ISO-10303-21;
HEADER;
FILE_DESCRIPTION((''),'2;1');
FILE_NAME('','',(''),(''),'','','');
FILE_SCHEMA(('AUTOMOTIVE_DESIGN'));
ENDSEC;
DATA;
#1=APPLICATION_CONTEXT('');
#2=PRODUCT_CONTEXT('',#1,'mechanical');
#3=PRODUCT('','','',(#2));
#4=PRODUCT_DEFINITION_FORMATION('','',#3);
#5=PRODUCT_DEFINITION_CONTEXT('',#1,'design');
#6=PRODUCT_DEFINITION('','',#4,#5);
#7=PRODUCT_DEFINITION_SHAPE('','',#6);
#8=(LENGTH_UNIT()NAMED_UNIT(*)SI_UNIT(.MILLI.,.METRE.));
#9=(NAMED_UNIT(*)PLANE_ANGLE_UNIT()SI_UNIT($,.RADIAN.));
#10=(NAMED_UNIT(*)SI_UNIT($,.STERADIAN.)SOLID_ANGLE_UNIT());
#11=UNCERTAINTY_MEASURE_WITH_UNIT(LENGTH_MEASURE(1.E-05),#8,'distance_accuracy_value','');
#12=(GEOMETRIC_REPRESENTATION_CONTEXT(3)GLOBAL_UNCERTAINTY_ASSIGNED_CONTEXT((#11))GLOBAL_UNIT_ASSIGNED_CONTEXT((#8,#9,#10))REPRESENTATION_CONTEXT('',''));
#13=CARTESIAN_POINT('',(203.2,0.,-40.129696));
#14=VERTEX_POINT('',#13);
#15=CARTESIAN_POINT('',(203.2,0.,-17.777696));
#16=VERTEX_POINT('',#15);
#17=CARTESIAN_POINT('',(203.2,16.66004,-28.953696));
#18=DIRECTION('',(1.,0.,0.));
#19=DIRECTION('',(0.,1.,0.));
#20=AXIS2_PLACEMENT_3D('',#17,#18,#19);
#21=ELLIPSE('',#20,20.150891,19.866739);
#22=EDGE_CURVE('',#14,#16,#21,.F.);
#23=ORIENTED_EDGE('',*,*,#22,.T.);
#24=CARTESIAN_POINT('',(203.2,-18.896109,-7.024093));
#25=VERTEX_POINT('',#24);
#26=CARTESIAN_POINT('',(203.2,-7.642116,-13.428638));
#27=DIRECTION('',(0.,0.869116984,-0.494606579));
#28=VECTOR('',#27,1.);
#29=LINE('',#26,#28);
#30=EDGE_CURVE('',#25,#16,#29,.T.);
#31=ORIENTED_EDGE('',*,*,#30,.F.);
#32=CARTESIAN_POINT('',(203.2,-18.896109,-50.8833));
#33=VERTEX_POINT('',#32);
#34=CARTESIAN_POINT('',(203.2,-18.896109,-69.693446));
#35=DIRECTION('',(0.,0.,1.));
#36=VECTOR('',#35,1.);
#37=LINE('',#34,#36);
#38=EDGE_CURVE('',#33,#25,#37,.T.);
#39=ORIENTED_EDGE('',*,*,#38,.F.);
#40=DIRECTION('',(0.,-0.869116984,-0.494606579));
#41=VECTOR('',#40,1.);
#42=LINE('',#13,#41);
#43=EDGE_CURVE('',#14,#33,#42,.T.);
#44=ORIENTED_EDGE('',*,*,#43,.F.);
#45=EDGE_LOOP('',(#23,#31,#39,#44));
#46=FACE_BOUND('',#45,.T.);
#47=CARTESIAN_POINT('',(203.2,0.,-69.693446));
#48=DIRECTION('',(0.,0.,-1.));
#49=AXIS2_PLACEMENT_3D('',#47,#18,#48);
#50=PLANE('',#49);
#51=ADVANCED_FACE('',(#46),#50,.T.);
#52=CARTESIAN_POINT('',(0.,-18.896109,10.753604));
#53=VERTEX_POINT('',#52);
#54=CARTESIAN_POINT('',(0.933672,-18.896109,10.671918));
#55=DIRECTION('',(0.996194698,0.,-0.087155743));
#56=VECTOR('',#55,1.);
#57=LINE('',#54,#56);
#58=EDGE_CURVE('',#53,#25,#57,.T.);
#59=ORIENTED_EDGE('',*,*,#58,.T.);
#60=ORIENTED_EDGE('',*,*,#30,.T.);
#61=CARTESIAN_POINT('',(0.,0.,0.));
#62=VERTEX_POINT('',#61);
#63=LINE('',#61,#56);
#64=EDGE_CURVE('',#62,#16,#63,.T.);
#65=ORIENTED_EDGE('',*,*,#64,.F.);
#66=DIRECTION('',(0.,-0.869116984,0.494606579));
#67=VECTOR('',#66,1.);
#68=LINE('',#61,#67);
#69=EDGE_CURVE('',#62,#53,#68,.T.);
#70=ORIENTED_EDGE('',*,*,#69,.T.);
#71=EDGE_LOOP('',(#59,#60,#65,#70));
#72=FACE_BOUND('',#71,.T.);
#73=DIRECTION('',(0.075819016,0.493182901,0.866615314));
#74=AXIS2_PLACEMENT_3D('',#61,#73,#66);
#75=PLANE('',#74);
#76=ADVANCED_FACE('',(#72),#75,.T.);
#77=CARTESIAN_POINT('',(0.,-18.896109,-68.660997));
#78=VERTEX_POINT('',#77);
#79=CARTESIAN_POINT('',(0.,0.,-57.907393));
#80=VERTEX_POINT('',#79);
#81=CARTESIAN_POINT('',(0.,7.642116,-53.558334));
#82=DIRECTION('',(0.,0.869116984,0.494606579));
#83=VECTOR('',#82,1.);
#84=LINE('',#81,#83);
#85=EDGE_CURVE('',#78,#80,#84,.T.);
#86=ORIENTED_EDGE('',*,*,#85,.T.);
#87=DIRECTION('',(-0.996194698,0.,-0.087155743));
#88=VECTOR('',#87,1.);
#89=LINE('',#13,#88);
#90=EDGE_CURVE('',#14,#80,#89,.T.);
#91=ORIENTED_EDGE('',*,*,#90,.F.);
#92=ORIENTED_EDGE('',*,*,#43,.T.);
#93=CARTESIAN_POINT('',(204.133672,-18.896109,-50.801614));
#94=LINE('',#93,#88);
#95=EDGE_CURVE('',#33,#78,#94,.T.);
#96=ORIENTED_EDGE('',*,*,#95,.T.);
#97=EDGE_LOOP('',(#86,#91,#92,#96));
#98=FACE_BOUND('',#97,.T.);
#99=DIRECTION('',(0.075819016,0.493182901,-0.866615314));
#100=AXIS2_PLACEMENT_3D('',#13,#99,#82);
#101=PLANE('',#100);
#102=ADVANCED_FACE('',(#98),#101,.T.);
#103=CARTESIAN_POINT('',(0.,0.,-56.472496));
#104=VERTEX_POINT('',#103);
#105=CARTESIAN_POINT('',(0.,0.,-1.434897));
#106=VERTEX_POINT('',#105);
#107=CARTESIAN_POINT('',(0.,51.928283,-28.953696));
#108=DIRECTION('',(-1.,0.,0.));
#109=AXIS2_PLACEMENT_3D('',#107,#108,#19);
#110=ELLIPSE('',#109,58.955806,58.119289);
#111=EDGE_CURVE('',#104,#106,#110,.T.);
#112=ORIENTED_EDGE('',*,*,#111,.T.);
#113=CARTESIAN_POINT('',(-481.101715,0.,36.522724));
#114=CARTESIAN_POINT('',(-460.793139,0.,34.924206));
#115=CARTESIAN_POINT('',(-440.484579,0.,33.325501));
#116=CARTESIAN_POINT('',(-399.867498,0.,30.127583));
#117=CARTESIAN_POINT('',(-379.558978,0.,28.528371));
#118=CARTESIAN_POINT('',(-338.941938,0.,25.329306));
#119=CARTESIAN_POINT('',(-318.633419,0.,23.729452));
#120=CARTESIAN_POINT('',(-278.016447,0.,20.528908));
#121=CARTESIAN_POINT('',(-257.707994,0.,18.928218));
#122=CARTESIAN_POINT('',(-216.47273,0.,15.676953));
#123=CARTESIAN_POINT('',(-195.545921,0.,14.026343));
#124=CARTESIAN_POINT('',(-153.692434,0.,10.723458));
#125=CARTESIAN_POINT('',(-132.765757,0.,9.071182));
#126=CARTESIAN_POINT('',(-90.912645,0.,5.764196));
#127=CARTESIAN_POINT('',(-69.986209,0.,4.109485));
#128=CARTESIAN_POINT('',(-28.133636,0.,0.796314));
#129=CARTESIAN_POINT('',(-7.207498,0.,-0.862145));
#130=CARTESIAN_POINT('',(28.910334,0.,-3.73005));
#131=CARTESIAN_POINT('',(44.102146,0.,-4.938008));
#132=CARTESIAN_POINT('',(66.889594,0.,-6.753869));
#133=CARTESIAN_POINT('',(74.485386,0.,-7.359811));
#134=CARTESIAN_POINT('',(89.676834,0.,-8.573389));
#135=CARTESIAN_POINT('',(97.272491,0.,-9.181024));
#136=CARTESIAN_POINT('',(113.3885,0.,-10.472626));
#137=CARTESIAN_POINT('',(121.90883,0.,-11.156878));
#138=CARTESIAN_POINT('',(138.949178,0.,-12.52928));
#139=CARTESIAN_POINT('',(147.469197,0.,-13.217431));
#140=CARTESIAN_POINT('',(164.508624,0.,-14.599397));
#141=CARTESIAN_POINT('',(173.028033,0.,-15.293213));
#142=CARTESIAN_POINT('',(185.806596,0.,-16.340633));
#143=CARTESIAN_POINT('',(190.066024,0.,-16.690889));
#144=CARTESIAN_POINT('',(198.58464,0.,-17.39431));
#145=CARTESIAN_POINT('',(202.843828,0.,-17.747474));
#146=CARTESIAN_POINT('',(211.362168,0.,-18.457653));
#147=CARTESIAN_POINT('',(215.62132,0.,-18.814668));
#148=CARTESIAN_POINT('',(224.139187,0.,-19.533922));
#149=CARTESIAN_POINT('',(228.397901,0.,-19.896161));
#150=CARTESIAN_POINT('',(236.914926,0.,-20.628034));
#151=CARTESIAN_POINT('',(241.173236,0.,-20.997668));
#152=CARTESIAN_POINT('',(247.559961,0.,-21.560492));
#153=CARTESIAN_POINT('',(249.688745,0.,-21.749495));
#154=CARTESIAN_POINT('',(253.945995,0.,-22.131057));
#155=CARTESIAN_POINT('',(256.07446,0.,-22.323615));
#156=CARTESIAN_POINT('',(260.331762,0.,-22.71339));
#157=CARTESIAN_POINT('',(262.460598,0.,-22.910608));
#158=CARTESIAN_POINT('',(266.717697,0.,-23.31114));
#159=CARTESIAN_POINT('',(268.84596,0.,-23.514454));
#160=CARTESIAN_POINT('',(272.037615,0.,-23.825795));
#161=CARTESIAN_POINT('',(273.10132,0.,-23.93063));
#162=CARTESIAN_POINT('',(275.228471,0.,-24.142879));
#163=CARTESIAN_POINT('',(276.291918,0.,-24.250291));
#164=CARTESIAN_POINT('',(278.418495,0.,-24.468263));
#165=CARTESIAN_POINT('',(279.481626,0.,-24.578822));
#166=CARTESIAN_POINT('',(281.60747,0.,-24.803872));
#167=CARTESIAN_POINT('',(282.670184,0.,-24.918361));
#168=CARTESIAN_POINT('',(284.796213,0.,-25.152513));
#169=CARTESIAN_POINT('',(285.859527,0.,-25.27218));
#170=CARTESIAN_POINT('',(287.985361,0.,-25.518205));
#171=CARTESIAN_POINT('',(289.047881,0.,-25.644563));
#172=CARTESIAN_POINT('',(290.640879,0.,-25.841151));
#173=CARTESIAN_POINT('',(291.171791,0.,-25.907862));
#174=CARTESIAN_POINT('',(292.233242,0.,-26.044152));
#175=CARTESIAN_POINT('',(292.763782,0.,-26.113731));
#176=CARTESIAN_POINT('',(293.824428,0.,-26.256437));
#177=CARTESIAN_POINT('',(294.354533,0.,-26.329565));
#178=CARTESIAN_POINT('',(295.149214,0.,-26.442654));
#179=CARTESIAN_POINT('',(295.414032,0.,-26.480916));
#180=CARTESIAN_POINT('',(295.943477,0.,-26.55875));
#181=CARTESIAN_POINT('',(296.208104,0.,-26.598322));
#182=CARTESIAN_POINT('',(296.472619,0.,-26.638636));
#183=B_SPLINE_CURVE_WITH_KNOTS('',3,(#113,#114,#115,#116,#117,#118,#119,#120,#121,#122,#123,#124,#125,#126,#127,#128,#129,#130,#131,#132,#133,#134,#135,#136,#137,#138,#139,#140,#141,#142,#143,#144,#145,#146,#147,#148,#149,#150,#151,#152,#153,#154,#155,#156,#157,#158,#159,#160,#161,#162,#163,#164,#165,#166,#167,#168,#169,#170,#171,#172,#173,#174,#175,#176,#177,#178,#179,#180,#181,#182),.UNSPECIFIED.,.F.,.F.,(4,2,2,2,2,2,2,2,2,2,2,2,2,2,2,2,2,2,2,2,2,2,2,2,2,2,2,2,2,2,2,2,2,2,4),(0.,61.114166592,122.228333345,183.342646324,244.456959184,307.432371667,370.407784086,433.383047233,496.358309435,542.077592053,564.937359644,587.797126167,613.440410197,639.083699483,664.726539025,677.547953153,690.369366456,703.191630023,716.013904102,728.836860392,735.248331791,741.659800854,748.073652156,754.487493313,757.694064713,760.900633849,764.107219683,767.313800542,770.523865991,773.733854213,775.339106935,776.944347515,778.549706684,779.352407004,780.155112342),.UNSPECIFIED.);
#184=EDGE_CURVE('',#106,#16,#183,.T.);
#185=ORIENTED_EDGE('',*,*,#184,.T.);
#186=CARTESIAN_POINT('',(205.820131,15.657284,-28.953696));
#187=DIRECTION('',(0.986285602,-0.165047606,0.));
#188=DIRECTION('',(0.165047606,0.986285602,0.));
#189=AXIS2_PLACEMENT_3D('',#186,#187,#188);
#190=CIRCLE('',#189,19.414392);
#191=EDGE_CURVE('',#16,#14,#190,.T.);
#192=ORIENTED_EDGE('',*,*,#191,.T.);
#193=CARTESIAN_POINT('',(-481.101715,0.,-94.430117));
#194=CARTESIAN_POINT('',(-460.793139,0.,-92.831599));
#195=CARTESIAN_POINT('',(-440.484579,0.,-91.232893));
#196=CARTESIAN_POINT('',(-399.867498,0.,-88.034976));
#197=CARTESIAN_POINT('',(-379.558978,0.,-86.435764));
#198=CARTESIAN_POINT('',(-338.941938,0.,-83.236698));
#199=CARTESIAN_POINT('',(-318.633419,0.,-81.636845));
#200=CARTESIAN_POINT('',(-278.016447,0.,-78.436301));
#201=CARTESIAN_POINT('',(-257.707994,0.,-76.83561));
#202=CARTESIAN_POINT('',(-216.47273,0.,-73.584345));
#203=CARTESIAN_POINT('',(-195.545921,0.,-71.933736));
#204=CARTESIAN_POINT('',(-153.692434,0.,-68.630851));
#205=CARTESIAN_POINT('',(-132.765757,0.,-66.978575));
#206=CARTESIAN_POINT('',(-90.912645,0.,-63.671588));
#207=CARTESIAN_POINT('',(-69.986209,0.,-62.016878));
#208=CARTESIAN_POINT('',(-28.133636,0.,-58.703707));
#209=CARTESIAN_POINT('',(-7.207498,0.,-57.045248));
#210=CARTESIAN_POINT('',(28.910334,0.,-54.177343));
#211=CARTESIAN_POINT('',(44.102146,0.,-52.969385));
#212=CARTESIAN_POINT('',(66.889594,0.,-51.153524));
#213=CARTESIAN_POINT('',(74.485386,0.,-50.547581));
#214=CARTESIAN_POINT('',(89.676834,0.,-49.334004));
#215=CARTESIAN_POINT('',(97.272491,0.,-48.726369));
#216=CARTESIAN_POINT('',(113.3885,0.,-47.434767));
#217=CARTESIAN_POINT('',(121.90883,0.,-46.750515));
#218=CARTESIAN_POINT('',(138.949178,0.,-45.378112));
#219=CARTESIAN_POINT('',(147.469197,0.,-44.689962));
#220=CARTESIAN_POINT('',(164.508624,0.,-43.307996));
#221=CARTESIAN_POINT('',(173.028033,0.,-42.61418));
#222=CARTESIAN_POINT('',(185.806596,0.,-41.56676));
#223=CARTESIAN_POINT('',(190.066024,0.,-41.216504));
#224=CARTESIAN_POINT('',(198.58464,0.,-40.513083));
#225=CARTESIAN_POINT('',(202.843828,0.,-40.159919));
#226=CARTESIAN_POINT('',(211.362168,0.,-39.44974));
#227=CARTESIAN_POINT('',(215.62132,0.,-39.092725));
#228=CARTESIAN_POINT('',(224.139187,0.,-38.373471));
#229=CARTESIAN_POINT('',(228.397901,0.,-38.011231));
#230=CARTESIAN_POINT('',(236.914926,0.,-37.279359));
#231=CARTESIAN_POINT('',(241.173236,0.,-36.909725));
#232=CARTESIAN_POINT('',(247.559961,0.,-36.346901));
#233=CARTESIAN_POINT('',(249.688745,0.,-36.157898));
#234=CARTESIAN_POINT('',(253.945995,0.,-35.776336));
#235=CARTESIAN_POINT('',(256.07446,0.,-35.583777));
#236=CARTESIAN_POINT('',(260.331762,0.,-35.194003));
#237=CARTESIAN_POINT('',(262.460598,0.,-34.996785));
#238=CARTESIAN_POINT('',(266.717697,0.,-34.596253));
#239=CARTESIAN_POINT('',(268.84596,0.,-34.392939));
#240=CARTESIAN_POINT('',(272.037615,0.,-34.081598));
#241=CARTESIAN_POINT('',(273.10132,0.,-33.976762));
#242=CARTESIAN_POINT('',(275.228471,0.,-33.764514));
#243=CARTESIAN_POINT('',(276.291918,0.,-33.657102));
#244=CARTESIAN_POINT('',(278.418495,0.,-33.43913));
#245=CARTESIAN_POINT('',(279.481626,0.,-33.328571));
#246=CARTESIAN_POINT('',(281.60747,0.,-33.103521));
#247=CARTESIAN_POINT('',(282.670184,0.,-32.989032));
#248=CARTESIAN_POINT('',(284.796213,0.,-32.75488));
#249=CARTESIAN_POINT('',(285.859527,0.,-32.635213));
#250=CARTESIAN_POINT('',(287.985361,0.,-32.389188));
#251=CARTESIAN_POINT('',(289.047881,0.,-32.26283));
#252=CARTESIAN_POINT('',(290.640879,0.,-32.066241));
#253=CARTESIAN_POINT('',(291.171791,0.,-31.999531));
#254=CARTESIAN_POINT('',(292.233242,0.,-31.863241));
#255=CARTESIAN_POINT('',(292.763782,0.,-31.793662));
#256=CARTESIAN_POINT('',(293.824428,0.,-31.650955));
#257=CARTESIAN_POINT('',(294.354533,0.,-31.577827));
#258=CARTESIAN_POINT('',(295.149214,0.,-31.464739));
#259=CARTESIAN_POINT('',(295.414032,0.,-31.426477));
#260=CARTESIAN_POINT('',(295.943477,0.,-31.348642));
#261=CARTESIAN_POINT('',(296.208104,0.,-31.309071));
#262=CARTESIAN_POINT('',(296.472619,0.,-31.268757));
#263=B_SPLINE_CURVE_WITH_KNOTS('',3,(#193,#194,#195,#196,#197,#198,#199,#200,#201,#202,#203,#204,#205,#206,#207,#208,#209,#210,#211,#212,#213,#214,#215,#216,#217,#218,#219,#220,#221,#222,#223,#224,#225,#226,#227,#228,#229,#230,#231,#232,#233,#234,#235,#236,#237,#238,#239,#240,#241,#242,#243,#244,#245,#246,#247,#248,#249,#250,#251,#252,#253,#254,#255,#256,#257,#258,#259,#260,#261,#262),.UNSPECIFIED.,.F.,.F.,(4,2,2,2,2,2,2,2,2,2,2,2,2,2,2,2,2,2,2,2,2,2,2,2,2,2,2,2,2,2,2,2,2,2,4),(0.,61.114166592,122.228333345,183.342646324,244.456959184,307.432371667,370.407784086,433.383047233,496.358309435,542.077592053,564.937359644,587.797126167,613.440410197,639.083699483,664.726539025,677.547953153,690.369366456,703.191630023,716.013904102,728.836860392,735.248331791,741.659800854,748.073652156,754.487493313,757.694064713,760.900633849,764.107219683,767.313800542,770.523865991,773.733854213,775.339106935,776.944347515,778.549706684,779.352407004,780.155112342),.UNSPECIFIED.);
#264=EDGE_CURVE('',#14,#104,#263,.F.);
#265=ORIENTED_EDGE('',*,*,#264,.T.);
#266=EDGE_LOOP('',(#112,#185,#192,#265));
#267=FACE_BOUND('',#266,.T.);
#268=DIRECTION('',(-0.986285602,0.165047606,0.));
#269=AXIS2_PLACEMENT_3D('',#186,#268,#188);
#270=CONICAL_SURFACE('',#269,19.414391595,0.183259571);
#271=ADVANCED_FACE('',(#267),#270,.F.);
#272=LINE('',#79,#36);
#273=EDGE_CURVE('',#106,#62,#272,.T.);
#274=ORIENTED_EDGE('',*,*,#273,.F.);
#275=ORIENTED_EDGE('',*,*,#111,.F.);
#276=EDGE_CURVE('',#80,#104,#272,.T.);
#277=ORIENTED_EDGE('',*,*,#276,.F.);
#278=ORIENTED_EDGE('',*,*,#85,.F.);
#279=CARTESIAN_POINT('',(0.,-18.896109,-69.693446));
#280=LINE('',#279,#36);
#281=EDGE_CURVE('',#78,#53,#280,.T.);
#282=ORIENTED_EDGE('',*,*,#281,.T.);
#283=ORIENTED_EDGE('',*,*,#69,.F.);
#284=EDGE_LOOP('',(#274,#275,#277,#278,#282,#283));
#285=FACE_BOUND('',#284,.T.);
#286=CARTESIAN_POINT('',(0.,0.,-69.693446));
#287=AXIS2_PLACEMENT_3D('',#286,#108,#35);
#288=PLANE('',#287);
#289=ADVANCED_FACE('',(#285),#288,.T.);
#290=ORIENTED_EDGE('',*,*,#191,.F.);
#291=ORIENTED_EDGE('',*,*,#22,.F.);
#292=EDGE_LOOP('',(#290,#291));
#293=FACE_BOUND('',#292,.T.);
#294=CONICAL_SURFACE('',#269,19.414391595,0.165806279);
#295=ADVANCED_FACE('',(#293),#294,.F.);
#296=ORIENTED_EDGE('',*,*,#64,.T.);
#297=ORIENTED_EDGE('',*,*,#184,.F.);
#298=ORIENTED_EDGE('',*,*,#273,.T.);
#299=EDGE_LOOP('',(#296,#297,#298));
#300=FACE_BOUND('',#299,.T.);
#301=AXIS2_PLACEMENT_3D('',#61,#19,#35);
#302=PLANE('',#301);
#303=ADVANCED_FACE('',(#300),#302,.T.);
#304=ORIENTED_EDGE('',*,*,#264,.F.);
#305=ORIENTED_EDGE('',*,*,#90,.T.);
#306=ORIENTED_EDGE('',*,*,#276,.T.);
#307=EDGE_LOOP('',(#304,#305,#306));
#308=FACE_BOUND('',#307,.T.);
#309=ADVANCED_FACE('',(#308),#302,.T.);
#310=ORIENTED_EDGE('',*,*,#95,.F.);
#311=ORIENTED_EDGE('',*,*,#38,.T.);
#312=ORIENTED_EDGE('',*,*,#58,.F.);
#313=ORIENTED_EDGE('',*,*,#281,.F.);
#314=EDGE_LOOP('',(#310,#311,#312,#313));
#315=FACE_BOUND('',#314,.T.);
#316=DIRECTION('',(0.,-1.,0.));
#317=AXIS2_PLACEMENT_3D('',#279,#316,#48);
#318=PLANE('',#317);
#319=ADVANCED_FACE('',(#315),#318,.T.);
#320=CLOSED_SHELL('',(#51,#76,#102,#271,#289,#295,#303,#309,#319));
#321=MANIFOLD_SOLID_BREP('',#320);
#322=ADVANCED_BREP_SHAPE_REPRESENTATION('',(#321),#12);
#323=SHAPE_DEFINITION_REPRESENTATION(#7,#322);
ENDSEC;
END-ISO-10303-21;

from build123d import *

# Parameters (mm, degrees)
BOSS_EXTRUDE1_DEPTH     = 19.05
BOSS_EXTRUDE1_DRAFT     = 29.55
CUT_EXTRUDE1_DEPTH      = 226.867324057
CUT_EXTRUDE1_DEPTH_BACK = 226.867324057
SKETCH2_OUTSIDE_W       = 274.774
SKETCH2_OUTSIDE_H       = 69.024
SKETCH2_OUTSIDE_W_2     = 203.2
SKETCH2_OUTSIDE_H_2     = 18.896108653
SKETCH4_R               = 19.414391595
CUT_EXTRUDE2_DEPTH      = 212.8485235
CUT_EXTRUDE2_TAPER      = -10.5


with BuildPart() as part:
    # Sketch1 → Boss-Extrude1 (with draft: the straight prism first)
    with BuildSketch(Plane(origin=(0, 0, 0), x_dir=(1, 0, 0), z_dir=(0, 1, 0))):
        Polygon((0, 0), (203.2, 17.777696428), (203.2, 40.129696428), (0, 57.907392857), align=None)
    extrude(amount=-BOSS_EXTRUDE1_DEPTH)
    # Boss-Extrude1: the draft: its side faces are tilted about the plane it starts from
    boss_extrude1_sides = [part.faces().sort_by_distance(p)[0] for p in [
        (101.6, -9.525, -8.888848214),
        (203.2, -9.525, -28.953696428),
        (101.6, -9.525, -49.018544643),
        (0, -9.525, -28.953696428),
    ]]
    draft(boss_extrude1_sides, Plane(origin=(0, 0, 0), x_dir=(1, 0, 0), z_dir=(0, 1, 0)), BOSS_EXTRUDE1_DRAFT)

    # Sketch2 outside → Cut-Extrude1 (cut, two sides: drawn at the far end of the back side and taken through both)
    with BuildSketch(Plane.XY.offset(-CUT_EXTRUDE1_DEPTH_BACK)):
        with Locations((101.6, -9.525)):
            Rectangle(SKETCH2_OUTSIDE_W, SKETCH2_OUTSIDE_H)
        with Locations((101.6, -9.448054327)):
            Rectangle(SKETCH2_OUTSIDE_W_2, SKETCH2_OUTSIDE_H_2, mode=Mode.SUBTRACT)
    extrude(amount=CUT_EXTRUDE1_DEPTH + CUT_EXTRUDE1_DEPTH_BACK, mode=Mode.SUBTRACT)

    # Sketch4 → Cut-Extrude2 (cut)
    with BuildSketch(Plane(origin=(197.664687281, -33.077724493, 0), x_dir=(0, 0, -1), z_dir=(0.9862856015372313, -0.16504760586067801, 0))):
        with Locations((28.953696428, 49.412673511)):
            Circle(SKETCH4_R)
    extrude(amount=-CUT_EXTRUDE2_DEPTH, taper=CUT_EXTRUDE2_TAPER, mode=Mode.SUBTRACT)

    # Cut-Extrude2 cone 1 section (through the dimple's axis) → Cut-Extrude2 other way (revolve, cut)
    with BuildSketch(Plane(origin=(205.820130743, 15.657283924, -28.953696428), x_dir=(0, 0, 1), z_dir=(0.165047606, 0.986285602, 0))):
        Polygon((0, 0), (19.414391595, 0), (0, 116.01582945), align=None)
    revolve(axis=Axis((205.820130743, 15.657283924, -28.953696428), (0.986285602, -0.165047606, 0)), mode=Mode.SUBTRACT)


solid = part.part
